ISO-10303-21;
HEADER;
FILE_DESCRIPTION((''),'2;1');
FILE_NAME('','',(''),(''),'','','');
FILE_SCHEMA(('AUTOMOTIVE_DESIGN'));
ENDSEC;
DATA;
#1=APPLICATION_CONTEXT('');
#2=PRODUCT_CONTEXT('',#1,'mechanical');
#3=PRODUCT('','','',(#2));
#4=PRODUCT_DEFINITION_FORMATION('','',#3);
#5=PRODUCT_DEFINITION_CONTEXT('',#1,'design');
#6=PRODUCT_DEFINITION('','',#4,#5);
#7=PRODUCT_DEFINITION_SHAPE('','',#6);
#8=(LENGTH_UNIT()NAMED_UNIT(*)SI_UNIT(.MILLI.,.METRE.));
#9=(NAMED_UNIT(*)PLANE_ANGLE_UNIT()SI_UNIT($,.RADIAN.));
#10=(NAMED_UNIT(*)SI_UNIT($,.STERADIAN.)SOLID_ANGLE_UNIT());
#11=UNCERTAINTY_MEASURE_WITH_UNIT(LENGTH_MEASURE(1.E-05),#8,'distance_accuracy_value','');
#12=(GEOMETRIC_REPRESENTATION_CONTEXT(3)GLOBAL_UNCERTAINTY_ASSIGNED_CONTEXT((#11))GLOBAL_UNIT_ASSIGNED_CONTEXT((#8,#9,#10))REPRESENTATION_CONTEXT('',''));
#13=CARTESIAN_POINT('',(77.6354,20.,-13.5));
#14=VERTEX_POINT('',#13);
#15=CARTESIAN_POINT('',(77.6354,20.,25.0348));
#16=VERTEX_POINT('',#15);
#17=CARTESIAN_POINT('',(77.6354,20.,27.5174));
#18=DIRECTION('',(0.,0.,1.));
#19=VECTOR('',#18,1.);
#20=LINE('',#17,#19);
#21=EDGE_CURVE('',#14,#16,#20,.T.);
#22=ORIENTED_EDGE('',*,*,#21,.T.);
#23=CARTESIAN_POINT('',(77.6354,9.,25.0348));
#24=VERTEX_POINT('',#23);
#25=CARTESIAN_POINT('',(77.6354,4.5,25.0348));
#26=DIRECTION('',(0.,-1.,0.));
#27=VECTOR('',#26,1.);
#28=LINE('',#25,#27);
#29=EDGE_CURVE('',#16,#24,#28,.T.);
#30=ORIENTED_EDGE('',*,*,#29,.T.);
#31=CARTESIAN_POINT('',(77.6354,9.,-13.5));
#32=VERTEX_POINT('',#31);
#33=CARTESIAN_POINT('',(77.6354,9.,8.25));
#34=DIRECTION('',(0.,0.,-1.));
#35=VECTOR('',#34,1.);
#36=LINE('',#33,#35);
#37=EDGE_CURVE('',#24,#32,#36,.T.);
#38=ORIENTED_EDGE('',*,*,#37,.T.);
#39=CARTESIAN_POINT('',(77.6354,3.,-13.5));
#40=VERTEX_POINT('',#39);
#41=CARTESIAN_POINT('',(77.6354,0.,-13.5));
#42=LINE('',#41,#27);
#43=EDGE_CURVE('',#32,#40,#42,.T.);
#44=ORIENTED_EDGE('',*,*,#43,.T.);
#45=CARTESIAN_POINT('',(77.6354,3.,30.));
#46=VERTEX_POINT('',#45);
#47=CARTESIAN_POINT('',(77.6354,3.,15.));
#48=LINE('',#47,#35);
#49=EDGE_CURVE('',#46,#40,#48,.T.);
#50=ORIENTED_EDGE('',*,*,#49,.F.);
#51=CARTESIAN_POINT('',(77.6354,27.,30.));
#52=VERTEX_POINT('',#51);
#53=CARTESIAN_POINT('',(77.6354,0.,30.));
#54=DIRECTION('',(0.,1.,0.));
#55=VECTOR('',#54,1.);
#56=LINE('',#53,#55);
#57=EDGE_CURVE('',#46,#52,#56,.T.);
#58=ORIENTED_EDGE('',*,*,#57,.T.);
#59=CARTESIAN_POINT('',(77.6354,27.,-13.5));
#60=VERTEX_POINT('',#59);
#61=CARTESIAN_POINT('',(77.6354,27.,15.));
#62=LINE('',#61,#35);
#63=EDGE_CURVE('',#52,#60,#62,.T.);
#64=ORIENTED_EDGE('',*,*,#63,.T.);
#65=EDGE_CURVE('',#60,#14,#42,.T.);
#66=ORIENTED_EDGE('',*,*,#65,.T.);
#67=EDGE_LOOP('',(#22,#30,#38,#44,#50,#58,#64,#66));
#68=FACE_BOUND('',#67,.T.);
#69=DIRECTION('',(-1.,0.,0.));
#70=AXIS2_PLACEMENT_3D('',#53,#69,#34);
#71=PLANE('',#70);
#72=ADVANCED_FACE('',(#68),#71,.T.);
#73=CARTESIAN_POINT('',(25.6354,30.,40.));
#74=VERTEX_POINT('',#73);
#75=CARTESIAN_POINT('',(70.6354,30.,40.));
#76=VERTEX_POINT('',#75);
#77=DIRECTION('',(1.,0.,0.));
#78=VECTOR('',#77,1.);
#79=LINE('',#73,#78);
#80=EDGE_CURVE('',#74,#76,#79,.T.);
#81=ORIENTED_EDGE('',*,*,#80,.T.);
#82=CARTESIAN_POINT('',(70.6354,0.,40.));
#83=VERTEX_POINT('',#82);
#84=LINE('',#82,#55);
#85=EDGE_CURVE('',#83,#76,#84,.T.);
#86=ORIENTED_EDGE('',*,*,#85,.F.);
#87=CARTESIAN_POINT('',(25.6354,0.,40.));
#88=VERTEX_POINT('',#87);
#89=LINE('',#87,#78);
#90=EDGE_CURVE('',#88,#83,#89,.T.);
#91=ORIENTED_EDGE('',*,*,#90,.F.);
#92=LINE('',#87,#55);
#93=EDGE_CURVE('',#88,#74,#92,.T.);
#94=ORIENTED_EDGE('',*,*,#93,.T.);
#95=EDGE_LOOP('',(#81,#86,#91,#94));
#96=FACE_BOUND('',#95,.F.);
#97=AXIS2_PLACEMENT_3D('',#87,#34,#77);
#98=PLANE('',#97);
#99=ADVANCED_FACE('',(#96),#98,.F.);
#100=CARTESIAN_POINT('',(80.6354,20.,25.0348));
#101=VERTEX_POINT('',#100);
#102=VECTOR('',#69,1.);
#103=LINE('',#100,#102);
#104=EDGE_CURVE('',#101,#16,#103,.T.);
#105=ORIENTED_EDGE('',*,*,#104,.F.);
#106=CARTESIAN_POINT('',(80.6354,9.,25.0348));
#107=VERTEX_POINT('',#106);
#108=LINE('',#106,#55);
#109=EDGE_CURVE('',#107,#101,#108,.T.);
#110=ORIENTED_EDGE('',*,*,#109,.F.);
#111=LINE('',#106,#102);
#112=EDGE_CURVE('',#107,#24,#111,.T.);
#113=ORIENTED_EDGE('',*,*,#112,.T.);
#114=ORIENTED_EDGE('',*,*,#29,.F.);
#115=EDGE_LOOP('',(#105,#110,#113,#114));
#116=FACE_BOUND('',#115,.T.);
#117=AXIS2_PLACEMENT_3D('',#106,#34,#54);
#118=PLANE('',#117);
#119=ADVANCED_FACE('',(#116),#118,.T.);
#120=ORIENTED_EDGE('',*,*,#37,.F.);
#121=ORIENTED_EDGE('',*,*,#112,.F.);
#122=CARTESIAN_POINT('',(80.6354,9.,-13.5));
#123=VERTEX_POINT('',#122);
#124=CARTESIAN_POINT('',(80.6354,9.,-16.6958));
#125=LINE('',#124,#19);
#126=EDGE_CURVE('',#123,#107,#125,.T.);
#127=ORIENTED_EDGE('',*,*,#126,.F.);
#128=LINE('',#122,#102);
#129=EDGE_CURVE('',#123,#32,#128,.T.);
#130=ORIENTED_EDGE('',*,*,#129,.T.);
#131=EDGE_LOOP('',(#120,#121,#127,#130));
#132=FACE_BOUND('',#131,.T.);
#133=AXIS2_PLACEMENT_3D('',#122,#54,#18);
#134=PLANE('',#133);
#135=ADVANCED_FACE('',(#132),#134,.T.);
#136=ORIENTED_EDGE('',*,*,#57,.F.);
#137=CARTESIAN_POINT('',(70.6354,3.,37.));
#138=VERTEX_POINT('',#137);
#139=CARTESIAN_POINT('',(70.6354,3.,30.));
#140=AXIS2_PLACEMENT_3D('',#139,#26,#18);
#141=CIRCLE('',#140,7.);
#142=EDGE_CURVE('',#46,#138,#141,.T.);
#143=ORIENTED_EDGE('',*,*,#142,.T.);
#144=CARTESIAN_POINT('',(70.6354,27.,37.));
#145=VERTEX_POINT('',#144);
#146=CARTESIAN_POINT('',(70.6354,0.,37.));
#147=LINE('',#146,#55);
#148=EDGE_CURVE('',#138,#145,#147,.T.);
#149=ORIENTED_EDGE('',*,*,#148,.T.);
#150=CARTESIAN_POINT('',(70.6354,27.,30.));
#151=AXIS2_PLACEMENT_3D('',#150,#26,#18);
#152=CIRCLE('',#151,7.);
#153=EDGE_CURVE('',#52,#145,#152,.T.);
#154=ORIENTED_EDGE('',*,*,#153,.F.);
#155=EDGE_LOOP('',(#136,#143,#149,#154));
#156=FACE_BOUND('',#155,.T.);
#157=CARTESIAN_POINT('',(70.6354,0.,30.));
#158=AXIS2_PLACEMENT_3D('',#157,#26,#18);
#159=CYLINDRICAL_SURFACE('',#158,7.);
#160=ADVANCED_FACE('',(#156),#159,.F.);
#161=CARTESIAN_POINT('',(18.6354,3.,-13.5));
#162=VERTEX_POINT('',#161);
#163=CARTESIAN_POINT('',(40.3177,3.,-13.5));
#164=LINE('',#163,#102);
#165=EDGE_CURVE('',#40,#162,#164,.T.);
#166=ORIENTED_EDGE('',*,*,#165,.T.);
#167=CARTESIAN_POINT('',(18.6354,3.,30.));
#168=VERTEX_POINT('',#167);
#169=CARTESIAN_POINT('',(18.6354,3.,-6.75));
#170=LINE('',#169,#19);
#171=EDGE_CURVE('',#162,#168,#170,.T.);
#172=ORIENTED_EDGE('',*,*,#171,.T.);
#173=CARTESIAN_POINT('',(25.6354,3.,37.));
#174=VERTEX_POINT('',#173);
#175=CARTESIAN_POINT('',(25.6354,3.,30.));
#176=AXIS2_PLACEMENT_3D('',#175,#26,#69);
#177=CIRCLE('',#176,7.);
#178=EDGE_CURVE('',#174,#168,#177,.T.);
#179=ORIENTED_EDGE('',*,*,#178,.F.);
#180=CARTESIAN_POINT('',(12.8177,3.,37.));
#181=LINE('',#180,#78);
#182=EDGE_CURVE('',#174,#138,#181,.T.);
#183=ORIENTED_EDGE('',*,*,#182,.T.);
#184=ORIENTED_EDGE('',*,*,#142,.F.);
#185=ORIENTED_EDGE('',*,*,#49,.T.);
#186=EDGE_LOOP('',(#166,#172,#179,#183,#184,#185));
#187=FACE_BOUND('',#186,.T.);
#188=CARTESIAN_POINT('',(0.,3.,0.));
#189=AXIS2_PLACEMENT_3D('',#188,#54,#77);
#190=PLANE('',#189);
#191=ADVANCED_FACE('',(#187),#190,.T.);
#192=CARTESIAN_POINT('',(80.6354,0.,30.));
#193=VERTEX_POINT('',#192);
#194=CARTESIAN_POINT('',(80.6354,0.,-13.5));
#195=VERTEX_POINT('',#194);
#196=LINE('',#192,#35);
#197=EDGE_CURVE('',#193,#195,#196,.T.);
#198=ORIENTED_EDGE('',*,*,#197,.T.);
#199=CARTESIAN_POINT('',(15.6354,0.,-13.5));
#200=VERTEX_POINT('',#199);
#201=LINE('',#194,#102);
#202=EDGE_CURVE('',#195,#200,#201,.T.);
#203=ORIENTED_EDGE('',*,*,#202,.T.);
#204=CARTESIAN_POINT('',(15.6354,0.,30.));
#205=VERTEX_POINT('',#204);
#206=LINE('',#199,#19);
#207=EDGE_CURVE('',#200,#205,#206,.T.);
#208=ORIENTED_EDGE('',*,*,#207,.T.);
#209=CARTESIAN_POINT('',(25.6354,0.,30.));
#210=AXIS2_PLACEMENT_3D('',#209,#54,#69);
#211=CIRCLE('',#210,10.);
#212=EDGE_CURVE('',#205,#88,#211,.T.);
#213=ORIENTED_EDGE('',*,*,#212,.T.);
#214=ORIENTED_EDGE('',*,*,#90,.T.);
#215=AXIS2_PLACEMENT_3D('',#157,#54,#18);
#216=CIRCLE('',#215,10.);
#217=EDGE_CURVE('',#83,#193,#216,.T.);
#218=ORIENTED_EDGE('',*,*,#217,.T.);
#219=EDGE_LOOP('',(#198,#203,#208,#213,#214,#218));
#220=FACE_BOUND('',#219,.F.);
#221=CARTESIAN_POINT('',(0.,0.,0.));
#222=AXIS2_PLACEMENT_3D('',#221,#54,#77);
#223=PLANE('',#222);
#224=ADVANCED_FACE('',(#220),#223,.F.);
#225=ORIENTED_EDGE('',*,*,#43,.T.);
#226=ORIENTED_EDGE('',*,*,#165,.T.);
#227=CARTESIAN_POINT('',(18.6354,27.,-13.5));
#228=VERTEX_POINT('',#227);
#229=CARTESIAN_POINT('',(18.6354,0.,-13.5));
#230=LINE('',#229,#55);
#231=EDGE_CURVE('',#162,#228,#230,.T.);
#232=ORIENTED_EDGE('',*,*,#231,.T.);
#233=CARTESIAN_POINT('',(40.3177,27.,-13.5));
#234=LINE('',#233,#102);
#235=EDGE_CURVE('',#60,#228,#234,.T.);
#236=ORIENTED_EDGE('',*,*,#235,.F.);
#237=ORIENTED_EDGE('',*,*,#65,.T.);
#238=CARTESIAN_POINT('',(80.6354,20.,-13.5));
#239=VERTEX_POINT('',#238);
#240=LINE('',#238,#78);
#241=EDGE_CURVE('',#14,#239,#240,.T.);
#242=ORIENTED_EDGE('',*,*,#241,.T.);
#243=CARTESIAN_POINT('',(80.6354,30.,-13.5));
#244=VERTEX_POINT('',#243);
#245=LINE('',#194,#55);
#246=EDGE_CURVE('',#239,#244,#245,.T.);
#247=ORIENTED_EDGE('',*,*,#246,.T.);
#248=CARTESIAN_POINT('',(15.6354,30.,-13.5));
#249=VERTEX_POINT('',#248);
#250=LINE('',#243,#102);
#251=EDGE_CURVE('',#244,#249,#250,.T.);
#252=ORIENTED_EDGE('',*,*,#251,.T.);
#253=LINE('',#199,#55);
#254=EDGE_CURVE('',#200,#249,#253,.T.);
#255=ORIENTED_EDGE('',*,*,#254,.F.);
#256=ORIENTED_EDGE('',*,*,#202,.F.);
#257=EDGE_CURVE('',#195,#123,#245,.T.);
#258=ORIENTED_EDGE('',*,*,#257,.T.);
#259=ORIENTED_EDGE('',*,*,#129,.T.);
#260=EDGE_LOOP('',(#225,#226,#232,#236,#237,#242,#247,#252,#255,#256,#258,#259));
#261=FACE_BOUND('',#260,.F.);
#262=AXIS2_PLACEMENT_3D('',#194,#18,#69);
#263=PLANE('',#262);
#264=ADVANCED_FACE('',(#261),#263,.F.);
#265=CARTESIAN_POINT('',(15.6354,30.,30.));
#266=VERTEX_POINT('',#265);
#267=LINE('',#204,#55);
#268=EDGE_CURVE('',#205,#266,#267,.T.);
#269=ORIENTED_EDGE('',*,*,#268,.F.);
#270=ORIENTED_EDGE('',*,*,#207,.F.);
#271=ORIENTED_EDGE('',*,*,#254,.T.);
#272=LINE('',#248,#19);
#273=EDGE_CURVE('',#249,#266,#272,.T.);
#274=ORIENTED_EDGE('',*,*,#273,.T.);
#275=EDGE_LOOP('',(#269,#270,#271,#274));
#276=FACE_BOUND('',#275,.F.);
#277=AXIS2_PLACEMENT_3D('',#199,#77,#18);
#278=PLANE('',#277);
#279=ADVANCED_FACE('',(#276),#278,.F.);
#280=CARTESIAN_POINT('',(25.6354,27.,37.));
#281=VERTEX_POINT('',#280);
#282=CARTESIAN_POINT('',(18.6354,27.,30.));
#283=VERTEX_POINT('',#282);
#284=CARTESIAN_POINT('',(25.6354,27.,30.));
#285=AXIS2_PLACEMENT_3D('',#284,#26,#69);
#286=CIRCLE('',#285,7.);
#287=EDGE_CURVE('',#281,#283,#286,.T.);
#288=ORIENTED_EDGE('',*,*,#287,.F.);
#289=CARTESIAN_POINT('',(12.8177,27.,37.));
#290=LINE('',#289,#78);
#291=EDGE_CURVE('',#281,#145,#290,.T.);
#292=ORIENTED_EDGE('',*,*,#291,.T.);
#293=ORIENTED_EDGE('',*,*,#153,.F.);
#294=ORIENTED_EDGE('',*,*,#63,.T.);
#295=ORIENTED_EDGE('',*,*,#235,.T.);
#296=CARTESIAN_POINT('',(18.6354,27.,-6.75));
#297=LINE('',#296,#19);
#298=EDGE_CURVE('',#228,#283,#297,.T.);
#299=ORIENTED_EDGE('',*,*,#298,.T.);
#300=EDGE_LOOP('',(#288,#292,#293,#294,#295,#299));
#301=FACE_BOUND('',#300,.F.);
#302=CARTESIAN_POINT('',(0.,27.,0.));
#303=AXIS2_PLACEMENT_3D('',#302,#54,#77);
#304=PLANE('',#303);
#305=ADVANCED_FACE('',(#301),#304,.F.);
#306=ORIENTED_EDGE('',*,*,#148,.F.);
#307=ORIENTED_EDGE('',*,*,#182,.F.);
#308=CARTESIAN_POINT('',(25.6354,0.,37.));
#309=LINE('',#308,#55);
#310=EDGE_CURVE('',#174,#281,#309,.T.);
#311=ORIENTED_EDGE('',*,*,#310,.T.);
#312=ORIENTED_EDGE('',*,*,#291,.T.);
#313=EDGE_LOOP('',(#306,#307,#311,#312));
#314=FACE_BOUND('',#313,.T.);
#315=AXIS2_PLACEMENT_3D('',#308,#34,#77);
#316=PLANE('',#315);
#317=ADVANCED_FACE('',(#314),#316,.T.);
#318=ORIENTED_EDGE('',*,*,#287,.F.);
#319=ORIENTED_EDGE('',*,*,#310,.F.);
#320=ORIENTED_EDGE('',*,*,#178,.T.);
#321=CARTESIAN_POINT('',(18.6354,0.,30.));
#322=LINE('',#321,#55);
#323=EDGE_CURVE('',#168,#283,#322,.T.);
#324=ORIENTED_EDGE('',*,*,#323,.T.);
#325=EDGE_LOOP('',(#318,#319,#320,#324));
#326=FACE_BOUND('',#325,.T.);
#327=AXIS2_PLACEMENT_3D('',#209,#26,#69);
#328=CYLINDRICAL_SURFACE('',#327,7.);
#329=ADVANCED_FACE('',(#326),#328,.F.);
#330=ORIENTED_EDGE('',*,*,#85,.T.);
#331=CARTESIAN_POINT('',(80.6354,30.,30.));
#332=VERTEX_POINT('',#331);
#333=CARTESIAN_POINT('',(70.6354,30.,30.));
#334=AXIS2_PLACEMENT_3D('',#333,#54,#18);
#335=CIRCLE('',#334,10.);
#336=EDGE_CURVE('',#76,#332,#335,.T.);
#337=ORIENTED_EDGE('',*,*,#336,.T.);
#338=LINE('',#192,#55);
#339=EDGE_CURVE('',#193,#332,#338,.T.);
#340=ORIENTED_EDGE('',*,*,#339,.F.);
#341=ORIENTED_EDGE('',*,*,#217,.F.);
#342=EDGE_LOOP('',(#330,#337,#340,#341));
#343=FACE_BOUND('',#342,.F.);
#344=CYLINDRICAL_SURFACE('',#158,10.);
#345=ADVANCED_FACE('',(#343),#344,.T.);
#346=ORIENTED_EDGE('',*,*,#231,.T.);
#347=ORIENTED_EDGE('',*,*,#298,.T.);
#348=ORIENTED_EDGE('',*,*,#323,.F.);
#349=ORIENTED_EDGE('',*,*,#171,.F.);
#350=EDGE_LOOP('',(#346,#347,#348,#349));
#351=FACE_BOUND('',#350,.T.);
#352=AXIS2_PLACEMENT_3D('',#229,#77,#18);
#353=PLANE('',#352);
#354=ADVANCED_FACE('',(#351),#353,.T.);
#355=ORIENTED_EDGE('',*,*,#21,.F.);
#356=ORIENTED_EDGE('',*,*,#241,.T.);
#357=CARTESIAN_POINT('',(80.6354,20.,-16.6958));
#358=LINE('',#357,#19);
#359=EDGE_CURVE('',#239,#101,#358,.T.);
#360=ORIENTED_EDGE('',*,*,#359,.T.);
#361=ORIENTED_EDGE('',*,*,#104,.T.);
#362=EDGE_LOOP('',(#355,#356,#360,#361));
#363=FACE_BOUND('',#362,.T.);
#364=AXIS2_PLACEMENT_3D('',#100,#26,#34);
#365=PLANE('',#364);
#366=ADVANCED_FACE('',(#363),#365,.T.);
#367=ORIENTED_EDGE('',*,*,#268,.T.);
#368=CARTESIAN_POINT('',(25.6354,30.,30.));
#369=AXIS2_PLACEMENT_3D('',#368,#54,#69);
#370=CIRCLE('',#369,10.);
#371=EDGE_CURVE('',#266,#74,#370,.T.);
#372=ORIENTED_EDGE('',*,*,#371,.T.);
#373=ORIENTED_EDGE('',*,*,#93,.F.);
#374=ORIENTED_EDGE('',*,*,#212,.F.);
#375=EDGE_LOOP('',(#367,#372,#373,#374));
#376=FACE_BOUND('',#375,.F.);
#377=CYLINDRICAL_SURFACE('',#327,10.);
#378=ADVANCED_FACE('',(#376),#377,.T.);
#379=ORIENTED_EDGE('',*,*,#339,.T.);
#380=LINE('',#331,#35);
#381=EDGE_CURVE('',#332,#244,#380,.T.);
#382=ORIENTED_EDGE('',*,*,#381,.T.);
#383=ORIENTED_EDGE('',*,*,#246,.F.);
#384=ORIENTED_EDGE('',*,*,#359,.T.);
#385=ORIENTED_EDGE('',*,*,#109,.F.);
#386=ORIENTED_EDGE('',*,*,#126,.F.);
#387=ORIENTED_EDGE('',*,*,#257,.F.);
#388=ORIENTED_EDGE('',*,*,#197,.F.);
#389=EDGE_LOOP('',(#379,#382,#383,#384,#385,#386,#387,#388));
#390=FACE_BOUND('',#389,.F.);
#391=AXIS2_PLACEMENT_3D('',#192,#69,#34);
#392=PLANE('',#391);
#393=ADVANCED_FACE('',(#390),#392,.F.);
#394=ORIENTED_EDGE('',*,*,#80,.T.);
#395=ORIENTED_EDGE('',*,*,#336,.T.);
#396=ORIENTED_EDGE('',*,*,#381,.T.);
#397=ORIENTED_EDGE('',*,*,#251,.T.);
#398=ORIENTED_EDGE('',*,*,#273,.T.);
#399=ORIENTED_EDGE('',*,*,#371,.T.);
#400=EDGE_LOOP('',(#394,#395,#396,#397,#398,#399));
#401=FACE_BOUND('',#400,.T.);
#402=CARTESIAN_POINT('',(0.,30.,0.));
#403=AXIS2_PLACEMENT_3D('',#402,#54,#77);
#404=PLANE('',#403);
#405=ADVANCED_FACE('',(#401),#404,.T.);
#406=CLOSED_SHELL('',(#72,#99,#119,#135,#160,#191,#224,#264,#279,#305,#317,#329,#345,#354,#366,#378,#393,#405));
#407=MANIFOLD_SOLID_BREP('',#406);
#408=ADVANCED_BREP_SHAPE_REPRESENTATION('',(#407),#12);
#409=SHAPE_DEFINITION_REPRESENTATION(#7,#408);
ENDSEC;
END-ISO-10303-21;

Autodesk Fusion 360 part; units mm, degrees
sketch "Sketch1" plane through (0, 0, 0) normal (0, 1, 0) x (1, 0, 0)
  line L0 (25.6354, -40) -> (70.6354, -40)
  line L1 (80.6354, -30) -> (80.6354, 13.5)
  line L2 (80.6354, 13.5) -> (15.6354, 13.5)
  line L3 (15.6354, 13.5) -> (15.6354, -30)
  arc A0 (15.6354, -30) -> (25.6354, -40) centre (25.6354, -30) ccw
  arc A1 (70.6354, -40) -> (80.6354, -30) centre (70.6354, -30) ccw
  dimension "d1" = 65
  dimension "d2" = 53.5
  dimension "d3" = 10
  dimension "d4" = 10
extrude "Extrude2" add sketch "Sketch1" along normal blind 30
shell "Shell2" thickness 3 removed faces 1 at (58.9688, 20, -13.5)
sketch "Sketch3" plane through (80.6354, 0, 0) normal (1, 0, 0) x (0, 1, 0)
  line L0 (0, 30) -> (0, -13.5)
  line L1 (0, -13.5) -> (30, -13.5)
  line L2 (30, -13.5) -> (30, 30)
  line L3 (30, 30) -> (0, 30)
  line L4 (9, 25.0348) -> (20, 25.0348)
  line L5 (20, 25.0348) -> (20, -16.6958)
  line L6 (20, -16.6958) -> (9, -16.6958)
  line L7 (9, -16.6958) -> (9, 25.0348)
  dimension "d18" = 11
extrude "Extrude4" cut sketch "Sketch3" against normal blind 10 contours L1 L4 L5 L7 | L1 L5 L6 L7
